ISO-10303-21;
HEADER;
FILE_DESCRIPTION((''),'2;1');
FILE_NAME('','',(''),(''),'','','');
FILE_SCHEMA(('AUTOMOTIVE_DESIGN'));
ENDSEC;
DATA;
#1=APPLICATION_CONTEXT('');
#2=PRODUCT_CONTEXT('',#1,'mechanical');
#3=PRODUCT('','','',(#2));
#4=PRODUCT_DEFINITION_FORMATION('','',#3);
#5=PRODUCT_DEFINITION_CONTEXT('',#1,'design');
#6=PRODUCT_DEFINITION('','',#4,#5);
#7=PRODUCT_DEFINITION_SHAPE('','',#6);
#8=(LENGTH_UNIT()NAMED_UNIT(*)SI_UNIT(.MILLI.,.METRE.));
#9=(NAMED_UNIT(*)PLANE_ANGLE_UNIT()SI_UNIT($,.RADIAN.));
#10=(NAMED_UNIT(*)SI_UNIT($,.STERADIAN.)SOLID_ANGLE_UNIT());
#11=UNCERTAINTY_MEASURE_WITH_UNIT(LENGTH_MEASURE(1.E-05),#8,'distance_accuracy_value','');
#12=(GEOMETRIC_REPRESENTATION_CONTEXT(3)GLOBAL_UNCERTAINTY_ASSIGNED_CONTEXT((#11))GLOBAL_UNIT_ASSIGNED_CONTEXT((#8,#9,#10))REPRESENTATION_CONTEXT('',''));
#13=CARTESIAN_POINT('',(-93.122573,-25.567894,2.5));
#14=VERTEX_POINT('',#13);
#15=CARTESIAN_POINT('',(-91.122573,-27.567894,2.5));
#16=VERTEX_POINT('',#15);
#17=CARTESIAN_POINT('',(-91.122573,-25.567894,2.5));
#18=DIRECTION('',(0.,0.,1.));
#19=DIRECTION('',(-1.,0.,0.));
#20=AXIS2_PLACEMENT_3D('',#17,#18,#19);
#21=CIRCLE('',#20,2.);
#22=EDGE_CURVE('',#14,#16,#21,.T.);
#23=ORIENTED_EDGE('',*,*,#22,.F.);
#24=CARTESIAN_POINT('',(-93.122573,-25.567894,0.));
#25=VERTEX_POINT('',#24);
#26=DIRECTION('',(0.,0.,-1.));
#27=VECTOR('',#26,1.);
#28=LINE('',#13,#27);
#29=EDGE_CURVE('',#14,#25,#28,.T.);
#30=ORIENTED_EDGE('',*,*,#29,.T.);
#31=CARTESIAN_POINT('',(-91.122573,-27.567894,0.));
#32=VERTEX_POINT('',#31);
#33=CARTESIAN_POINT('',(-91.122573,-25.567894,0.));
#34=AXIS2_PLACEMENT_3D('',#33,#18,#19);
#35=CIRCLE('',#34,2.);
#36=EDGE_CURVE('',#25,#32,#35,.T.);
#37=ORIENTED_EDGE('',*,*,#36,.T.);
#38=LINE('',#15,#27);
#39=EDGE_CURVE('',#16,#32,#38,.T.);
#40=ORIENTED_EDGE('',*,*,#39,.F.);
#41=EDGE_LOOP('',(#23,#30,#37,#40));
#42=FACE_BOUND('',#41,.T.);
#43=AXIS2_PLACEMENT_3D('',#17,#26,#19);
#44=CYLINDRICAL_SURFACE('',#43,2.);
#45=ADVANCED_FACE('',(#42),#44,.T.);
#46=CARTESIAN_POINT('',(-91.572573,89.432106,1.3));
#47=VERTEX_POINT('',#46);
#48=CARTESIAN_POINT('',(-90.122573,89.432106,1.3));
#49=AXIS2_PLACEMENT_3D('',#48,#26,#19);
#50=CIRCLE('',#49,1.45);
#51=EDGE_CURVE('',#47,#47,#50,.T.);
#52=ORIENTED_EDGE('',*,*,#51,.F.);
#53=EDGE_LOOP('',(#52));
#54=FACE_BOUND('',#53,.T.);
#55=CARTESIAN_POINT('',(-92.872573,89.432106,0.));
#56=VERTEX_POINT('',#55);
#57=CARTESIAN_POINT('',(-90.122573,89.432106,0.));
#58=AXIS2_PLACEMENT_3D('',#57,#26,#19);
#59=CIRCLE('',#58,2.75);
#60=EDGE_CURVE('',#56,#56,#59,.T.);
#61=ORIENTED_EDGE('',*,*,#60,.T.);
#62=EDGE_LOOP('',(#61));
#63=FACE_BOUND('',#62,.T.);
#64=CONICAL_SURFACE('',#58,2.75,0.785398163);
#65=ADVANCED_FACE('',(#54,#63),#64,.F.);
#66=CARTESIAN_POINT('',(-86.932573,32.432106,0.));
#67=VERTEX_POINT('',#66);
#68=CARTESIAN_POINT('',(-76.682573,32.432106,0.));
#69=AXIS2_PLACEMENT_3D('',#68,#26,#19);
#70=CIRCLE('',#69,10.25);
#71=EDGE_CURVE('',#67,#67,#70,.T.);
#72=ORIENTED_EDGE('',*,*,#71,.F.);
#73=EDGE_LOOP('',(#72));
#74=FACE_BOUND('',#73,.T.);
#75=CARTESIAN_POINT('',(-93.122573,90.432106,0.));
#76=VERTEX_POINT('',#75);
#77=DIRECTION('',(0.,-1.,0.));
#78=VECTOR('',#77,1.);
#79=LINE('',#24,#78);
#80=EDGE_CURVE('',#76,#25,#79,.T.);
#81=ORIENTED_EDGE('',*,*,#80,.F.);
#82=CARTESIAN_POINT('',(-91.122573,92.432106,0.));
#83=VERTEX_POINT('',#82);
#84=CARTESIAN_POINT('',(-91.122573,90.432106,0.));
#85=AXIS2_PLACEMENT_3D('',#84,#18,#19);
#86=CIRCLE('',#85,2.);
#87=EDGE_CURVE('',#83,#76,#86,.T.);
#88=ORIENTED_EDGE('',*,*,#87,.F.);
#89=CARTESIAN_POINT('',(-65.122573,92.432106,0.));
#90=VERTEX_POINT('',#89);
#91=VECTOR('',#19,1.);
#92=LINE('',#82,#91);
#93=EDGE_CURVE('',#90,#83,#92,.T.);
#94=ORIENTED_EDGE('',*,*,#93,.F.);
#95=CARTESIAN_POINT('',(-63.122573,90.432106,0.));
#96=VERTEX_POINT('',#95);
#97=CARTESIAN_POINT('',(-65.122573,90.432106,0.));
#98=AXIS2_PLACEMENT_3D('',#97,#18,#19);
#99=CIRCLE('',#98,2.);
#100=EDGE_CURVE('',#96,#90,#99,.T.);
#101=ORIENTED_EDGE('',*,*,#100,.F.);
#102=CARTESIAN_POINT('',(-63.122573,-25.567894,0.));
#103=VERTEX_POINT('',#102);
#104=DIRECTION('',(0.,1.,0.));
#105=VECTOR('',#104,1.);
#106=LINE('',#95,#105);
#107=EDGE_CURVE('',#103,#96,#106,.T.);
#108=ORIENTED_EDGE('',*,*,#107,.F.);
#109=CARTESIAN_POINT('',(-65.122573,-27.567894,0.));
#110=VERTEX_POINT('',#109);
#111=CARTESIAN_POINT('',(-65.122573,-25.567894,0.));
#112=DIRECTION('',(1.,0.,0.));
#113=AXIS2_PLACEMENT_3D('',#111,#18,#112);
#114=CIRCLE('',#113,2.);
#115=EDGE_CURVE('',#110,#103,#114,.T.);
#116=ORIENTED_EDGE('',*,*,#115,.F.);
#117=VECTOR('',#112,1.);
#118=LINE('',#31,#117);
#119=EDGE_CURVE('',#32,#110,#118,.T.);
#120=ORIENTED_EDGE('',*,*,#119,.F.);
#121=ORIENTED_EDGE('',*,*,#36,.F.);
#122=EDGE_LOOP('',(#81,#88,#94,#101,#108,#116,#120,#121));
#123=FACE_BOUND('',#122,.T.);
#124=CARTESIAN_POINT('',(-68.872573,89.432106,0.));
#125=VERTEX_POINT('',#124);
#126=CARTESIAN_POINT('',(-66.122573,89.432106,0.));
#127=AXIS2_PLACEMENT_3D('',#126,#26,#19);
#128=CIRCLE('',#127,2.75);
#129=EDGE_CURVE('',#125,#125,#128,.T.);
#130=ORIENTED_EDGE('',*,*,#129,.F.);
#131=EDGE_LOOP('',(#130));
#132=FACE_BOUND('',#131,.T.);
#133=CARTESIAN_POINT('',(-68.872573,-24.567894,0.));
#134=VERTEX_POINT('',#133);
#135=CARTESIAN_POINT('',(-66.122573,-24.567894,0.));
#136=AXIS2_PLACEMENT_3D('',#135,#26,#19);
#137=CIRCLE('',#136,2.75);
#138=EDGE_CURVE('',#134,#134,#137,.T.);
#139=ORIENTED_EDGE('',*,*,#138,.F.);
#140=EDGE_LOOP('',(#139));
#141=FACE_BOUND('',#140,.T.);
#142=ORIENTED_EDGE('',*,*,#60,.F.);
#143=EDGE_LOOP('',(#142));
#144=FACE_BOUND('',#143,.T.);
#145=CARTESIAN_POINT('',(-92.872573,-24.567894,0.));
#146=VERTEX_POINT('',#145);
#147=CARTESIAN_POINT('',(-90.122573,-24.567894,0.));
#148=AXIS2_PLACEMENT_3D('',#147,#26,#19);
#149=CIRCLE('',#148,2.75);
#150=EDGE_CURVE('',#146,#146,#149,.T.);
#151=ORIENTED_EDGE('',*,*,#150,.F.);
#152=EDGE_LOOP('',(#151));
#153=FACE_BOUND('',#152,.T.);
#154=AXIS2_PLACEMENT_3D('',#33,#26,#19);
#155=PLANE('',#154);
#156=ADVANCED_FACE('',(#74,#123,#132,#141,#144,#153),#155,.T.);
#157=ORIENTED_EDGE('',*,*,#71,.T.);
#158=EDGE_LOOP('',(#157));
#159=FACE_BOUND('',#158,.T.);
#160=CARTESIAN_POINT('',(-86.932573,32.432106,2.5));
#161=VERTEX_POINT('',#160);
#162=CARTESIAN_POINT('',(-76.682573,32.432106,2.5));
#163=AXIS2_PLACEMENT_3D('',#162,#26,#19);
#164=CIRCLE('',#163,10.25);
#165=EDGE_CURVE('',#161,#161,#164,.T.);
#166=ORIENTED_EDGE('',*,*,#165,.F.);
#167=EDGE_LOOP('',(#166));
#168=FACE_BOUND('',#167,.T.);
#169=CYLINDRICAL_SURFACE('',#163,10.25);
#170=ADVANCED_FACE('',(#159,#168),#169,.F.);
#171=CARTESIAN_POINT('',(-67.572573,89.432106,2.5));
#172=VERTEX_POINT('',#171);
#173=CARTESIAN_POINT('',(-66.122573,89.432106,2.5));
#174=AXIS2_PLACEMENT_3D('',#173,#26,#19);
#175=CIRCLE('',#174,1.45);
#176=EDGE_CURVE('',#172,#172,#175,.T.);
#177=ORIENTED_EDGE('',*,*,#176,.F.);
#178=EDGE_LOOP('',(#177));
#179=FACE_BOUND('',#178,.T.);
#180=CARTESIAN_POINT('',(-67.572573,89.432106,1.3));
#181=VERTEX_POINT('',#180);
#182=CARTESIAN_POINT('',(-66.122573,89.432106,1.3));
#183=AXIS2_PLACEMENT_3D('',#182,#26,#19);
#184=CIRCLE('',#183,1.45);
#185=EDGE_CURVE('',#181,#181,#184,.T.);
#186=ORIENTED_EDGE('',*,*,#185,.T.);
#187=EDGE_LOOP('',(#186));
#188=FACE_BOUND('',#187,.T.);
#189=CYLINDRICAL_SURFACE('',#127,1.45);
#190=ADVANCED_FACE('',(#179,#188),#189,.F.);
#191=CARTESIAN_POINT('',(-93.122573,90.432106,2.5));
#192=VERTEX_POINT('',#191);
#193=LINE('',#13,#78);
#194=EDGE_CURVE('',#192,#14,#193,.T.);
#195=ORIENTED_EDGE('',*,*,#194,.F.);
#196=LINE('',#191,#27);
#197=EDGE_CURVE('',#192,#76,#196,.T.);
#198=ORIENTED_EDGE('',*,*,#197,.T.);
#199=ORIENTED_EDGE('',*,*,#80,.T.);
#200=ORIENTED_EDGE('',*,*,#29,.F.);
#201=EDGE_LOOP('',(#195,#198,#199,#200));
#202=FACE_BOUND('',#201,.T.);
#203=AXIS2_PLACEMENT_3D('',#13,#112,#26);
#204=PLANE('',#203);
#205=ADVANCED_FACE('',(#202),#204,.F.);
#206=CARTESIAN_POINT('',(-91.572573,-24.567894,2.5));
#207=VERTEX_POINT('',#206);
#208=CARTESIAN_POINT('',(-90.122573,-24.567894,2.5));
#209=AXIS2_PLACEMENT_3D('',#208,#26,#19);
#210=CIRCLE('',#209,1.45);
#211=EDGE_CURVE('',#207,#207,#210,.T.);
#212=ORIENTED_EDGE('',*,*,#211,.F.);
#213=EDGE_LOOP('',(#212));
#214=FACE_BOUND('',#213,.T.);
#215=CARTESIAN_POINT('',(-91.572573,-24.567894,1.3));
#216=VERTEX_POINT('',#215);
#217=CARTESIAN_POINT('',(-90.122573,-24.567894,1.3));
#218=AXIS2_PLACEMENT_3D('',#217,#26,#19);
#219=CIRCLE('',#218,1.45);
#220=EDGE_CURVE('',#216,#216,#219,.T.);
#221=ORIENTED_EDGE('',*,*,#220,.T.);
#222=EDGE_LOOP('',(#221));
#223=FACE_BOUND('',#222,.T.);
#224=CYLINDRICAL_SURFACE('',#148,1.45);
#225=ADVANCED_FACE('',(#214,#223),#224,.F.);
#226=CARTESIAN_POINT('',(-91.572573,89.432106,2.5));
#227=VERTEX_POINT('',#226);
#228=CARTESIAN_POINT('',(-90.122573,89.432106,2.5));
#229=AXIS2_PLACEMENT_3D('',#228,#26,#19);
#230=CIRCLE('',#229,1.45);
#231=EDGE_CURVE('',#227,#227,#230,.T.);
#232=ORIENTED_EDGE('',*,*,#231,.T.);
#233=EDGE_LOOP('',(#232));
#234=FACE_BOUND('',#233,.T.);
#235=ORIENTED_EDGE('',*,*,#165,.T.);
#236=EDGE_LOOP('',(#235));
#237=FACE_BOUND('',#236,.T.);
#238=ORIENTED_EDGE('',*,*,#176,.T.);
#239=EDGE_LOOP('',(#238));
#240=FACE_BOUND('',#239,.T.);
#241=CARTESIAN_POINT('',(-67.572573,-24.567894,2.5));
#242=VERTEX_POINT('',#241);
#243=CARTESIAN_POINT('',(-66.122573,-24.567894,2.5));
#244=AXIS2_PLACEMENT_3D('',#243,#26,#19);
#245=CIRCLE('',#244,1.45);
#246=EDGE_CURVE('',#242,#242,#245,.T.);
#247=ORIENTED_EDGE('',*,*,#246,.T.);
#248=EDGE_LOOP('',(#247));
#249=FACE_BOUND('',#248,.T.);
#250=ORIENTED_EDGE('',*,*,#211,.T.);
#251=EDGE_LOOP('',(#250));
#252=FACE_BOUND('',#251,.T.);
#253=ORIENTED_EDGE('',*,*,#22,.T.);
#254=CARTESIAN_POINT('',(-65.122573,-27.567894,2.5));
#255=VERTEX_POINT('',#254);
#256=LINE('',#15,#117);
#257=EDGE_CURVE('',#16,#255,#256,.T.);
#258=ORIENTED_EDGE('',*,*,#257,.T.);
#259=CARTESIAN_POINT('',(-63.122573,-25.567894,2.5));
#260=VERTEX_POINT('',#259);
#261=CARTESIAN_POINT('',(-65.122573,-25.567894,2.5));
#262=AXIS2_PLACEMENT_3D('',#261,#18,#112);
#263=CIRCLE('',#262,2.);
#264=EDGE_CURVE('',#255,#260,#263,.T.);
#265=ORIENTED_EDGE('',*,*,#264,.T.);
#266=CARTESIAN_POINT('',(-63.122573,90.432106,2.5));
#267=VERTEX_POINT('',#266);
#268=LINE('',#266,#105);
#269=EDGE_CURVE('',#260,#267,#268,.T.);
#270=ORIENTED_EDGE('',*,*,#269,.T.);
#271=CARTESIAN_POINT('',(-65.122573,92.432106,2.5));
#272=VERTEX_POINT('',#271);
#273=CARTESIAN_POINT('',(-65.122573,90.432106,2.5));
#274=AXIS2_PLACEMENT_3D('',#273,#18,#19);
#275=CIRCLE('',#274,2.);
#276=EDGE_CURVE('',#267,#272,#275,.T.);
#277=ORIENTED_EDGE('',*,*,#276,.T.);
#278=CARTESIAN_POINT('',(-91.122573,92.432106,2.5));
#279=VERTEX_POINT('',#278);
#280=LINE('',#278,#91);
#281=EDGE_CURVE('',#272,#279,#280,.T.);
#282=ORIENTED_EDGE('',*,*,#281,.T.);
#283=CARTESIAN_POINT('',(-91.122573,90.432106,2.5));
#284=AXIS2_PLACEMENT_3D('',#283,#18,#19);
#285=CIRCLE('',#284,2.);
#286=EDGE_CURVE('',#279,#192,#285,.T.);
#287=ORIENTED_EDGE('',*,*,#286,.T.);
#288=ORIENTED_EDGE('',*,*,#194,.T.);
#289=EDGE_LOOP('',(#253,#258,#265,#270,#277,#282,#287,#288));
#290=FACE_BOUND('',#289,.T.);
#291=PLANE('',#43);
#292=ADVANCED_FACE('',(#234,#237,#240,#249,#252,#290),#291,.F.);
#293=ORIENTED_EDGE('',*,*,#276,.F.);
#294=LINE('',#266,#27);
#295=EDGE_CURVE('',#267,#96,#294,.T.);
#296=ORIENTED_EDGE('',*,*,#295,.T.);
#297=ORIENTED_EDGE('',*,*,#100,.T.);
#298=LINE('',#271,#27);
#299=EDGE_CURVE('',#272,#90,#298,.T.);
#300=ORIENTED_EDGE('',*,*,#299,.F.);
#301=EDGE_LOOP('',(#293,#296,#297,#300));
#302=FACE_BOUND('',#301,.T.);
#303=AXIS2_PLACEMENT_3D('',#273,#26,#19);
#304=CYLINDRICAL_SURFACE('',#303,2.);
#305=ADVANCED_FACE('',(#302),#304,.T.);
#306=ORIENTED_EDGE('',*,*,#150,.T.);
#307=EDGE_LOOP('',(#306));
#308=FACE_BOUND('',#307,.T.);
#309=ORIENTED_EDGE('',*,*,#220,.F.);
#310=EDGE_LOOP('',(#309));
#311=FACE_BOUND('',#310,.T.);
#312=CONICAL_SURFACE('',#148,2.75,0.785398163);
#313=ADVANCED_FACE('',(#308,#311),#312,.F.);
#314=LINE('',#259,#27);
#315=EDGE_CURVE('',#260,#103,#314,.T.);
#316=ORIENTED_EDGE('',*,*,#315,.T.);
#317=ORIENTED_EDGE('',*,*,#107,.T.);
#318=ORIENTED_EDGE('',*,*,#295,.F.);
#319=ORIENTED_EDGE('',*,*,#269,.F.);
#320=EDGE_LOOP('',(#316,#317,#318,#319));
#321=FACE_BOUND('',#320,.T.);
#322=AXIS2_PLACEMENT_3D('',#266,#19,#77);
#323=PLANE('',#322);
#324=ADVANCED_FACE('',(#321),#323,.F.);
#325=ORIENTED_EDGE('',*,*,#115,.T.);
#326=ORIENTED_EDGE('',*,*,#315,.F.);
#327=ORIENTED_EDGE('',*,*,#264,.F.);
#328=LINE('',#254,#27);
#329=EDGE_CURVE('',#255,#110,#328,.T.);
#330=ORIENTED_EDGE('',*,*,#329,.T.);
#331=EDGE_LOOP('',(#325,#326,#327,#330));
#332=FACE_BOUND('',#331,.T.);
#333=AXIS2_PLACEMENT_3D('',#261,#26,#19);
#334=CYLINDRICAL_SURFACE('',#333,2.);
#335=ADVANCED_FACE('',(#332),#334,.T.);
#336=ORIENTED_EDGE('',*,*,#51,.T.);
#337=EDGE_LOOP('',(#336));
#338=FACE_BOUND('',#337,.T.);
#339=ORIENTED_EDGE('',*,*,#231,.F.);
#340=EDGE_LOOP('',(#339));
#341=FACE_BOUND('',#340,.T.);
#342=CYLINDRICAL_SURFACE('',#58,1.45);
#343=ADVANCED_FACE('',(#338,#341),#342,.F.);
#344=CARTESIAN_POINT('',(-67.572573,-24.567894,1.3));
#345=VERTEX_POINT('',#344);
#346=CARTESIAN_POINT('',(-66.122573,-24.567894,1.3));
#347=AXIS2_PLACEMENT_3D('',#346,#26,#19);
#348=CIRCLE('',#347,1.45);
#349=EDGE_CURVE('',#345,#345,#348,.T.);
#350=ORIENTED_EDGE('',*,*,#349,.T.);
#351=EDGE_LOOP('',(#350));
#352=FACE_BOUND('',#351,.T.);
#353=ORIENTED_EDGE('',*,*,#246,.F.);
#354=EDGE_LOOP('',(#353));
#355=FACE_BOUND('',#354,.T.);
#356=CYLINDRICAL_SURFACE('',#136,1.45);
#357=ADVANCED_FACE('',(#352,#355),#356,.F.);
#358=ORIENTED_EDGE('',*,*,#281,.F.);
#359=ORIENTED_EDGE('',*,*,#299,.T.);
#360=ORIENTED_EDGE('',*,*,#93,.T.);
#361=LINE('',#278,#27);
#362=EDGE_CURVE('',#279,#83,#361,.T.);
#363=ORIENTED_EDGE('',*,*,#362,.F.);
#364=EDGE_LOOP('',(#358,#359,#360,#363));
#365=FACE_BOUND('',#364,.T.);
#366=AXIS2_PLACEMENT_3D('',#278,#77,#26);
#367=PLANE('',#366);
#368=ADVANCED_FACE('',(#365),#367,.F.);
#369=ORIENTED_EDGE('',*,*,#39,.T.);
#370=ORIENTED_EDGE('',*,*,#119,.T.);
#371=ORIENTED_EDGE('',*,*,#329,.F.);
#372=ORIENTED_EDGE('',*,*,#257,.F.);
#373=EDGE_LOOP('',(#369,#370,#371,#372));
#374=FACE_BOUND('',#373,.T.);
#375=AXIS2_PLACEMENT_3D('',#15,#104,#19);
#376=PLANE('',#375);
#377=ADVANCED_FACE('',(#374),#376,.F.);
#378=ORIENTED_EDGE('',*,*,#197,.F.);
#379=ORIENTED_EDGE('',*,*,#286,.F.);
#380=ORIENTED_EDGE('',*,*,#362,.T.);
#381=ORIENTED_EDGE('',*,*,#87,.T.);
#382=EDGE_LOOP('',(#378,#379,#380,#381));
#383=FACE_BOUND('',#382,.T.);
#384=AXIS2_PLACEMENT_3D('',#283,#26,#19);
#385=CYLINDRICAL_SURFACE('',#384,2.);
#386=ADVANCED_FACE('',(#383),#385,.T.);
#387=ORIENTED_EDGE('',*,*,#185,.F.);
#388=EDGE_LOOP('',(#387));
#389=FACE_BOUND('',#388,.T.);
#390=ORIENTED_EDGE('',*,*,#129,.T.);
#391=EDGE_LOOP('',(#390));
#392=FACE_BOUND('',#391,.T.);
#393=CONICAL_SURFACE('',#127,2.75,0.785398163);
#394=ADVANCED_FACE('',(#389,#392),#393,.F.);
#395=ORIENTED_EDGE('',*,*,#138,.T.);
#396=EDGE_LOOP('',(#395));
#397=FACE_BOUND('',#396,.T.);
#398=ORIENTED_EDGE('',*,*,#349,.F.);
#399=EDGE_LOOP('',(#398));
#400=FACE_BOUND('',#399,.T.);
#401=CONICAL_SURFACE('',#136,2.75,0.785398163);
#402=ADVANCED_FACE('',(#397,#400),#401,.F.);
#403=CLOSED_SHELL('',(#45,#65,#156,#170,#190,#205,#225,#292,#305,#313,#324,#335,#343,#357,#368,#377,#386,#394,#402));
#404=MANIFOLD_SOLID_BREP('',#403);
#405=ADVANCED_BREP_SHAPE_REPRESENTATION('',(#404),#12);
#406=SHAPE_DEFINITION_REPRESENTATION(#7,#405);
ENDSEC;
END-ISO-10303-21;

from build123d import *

# Parameters (mm, degrees)
BOSS_EXTRUDE1_DEPTH                          = 2.5
CSK_FOR_M2_5_COUNTERSUNK_FLAT_HEAD_S_2_COUNT = 2
CSK_FOR_M2_5_COUNTERSUNK_FLAT_HEAD_S_2_PITCH = 24
CSK_FOR_M2_5_COUNTERSUNK_FLAT_HEAD_S_3_COUNT = 2
CSK_FOR_M2_5_COUNTERSUNK_FLAT_HEAD_S_3_PITCH = 114
CSK_FOR_M2_5_COUNTERSUNK_FLAT_HEAD_S_4_COUNT = 2
CSK_FOR_M2_5_COUNTERSUNK_FLAT_HEAD_S_4_PITCH = 116.498927034
SKETCH4_R                                    = 10.25
CUT_EXTRUDE1_DEPTH                           = 132.231695022


with BuildPart() as part:
    # Sketch1 → Boss-Extrude1 (new body)
    with BuildSketch(Plane.XY):
        with BuildLine():
            Line((-63.122572744, 90.432106023), (-63.122572744, -25.567893977))
            ThreePointArc((-63.122572744, -25.567893977), (-63.708359182, -26.98210754), (-65.122572744, -27.567893977))
            Line((-65.122572744, -27.567893977), (-91.122572744, -27.567893977))
            ThreePointArc((-91.122572744, -27.567893977), (-92.536786306, -26.98210754), (-93.122572744, -25.567893977))
            Line((-93.122572744, -25.567893977), (-93.122572744, 90.432106023))
            ThreePointArc((-93.122572744, 90.432106023), (-92.536786306, 91.846319585), (-91.122572744, 92.432106023))
            Line((-91.122572744, 92.432106023), (-65.122572744, 92.432106023))
            ThreePointArc((-65.122572744, 92.432106023), (-63.708359182, 91.846319585), (-63.122572744, 90.432106023))
        make_face()
    extrude(amount=BOSS_EXTRUDE1_DEPTH)

    # Sketch3 → CSK for M2.5 Countersunk Flat Head Screw2 (revolve, cut)
    with BuildSketch(Plane(origin=(-66.122572744, 89.432106023, 0), x_dir=(0, 1, 0), z_dir=(1, 0, 0))):
        Polygon((0, 0), (0, 2.5), (1.45, 2.5), (1.45, 1.3), (2.75, 0), align=None)
    csk_for_m2_5_countersunk_flat_head_screw = revolve(axis=Axis((-66.122572744, 89.432106023, -6.35), (0, 0, 1)), mode=Mode.SUBTRACT)

    # CSK for M2.5 Countersunk Flat Head S 2: CSK for M2.5 Countersunk Flat Head Screw2 ×2
    with Locations(*[(-i * CSK_FOR_M2_5_COUNTERSUNK_FLAT_HEAD_S_2_PITCH, 0, 0) for i in range(1, CSK_FOR_M2_5_COUNTERSUNK_FLAT_HEAD_S_2_COUNT)]):
        add(csk_for_m2_5_countersunk_flat_head_screw, mode=Mode.SUBTRACT)

    # CSK for M2.5 Countersunk Flat Head S 3: CSK for M2.5 Countersunk Flat Head Screw2 ×2
    with Locations(*[(0, -i * CSK_FOR_M2_5_COUNTERSUNK_FLAT_HEAD_S_3_PITCH, 0) for i in range(1, CSK_FOR_M2_5_COUNTERSUNK_FLAT_HEAD_S_3_COUNT)]):
        add(csk_for_m2_5_countersunk_flat_head_screw, mode=Mode.SUBTRACT)

    # CSK for M2.5 Countersunk Flat Head S 4: CSK for M2.5 Countersunk Flat Head Screw2 ×2
    with Locations(*[Vector(-0.20601048104984201, -0.978549784986749, 0) * (i * CSK_FOR_M2_5_COUNTERSUNK_FLAT_HEAD_S_4_PITCH) for i in range(1, CSK_FOR_M2_5_COUNTERSUNK_FLAT_HEAD_S_4_COUNT)]):
        add(csk_for_m2_5_countersunk_flat_head_screw, mode=Mode.SUBTRACT)

    # Sketch4 → Cut-Extrude1 (cut, through all)
    with BuildSketch(Plane(origin=(0, 0, 0), x_dir=(-1, 0, 0), z_dir=(0, 0, -1))):
        with Locations((76.682572744, 32.432106023)):
            Circle(SKETCH4_R)
    extrude(amount=-CUT_EXTRUDE1_DEPTH, mode=Mode.SUBTRACT)


solid = part.part
